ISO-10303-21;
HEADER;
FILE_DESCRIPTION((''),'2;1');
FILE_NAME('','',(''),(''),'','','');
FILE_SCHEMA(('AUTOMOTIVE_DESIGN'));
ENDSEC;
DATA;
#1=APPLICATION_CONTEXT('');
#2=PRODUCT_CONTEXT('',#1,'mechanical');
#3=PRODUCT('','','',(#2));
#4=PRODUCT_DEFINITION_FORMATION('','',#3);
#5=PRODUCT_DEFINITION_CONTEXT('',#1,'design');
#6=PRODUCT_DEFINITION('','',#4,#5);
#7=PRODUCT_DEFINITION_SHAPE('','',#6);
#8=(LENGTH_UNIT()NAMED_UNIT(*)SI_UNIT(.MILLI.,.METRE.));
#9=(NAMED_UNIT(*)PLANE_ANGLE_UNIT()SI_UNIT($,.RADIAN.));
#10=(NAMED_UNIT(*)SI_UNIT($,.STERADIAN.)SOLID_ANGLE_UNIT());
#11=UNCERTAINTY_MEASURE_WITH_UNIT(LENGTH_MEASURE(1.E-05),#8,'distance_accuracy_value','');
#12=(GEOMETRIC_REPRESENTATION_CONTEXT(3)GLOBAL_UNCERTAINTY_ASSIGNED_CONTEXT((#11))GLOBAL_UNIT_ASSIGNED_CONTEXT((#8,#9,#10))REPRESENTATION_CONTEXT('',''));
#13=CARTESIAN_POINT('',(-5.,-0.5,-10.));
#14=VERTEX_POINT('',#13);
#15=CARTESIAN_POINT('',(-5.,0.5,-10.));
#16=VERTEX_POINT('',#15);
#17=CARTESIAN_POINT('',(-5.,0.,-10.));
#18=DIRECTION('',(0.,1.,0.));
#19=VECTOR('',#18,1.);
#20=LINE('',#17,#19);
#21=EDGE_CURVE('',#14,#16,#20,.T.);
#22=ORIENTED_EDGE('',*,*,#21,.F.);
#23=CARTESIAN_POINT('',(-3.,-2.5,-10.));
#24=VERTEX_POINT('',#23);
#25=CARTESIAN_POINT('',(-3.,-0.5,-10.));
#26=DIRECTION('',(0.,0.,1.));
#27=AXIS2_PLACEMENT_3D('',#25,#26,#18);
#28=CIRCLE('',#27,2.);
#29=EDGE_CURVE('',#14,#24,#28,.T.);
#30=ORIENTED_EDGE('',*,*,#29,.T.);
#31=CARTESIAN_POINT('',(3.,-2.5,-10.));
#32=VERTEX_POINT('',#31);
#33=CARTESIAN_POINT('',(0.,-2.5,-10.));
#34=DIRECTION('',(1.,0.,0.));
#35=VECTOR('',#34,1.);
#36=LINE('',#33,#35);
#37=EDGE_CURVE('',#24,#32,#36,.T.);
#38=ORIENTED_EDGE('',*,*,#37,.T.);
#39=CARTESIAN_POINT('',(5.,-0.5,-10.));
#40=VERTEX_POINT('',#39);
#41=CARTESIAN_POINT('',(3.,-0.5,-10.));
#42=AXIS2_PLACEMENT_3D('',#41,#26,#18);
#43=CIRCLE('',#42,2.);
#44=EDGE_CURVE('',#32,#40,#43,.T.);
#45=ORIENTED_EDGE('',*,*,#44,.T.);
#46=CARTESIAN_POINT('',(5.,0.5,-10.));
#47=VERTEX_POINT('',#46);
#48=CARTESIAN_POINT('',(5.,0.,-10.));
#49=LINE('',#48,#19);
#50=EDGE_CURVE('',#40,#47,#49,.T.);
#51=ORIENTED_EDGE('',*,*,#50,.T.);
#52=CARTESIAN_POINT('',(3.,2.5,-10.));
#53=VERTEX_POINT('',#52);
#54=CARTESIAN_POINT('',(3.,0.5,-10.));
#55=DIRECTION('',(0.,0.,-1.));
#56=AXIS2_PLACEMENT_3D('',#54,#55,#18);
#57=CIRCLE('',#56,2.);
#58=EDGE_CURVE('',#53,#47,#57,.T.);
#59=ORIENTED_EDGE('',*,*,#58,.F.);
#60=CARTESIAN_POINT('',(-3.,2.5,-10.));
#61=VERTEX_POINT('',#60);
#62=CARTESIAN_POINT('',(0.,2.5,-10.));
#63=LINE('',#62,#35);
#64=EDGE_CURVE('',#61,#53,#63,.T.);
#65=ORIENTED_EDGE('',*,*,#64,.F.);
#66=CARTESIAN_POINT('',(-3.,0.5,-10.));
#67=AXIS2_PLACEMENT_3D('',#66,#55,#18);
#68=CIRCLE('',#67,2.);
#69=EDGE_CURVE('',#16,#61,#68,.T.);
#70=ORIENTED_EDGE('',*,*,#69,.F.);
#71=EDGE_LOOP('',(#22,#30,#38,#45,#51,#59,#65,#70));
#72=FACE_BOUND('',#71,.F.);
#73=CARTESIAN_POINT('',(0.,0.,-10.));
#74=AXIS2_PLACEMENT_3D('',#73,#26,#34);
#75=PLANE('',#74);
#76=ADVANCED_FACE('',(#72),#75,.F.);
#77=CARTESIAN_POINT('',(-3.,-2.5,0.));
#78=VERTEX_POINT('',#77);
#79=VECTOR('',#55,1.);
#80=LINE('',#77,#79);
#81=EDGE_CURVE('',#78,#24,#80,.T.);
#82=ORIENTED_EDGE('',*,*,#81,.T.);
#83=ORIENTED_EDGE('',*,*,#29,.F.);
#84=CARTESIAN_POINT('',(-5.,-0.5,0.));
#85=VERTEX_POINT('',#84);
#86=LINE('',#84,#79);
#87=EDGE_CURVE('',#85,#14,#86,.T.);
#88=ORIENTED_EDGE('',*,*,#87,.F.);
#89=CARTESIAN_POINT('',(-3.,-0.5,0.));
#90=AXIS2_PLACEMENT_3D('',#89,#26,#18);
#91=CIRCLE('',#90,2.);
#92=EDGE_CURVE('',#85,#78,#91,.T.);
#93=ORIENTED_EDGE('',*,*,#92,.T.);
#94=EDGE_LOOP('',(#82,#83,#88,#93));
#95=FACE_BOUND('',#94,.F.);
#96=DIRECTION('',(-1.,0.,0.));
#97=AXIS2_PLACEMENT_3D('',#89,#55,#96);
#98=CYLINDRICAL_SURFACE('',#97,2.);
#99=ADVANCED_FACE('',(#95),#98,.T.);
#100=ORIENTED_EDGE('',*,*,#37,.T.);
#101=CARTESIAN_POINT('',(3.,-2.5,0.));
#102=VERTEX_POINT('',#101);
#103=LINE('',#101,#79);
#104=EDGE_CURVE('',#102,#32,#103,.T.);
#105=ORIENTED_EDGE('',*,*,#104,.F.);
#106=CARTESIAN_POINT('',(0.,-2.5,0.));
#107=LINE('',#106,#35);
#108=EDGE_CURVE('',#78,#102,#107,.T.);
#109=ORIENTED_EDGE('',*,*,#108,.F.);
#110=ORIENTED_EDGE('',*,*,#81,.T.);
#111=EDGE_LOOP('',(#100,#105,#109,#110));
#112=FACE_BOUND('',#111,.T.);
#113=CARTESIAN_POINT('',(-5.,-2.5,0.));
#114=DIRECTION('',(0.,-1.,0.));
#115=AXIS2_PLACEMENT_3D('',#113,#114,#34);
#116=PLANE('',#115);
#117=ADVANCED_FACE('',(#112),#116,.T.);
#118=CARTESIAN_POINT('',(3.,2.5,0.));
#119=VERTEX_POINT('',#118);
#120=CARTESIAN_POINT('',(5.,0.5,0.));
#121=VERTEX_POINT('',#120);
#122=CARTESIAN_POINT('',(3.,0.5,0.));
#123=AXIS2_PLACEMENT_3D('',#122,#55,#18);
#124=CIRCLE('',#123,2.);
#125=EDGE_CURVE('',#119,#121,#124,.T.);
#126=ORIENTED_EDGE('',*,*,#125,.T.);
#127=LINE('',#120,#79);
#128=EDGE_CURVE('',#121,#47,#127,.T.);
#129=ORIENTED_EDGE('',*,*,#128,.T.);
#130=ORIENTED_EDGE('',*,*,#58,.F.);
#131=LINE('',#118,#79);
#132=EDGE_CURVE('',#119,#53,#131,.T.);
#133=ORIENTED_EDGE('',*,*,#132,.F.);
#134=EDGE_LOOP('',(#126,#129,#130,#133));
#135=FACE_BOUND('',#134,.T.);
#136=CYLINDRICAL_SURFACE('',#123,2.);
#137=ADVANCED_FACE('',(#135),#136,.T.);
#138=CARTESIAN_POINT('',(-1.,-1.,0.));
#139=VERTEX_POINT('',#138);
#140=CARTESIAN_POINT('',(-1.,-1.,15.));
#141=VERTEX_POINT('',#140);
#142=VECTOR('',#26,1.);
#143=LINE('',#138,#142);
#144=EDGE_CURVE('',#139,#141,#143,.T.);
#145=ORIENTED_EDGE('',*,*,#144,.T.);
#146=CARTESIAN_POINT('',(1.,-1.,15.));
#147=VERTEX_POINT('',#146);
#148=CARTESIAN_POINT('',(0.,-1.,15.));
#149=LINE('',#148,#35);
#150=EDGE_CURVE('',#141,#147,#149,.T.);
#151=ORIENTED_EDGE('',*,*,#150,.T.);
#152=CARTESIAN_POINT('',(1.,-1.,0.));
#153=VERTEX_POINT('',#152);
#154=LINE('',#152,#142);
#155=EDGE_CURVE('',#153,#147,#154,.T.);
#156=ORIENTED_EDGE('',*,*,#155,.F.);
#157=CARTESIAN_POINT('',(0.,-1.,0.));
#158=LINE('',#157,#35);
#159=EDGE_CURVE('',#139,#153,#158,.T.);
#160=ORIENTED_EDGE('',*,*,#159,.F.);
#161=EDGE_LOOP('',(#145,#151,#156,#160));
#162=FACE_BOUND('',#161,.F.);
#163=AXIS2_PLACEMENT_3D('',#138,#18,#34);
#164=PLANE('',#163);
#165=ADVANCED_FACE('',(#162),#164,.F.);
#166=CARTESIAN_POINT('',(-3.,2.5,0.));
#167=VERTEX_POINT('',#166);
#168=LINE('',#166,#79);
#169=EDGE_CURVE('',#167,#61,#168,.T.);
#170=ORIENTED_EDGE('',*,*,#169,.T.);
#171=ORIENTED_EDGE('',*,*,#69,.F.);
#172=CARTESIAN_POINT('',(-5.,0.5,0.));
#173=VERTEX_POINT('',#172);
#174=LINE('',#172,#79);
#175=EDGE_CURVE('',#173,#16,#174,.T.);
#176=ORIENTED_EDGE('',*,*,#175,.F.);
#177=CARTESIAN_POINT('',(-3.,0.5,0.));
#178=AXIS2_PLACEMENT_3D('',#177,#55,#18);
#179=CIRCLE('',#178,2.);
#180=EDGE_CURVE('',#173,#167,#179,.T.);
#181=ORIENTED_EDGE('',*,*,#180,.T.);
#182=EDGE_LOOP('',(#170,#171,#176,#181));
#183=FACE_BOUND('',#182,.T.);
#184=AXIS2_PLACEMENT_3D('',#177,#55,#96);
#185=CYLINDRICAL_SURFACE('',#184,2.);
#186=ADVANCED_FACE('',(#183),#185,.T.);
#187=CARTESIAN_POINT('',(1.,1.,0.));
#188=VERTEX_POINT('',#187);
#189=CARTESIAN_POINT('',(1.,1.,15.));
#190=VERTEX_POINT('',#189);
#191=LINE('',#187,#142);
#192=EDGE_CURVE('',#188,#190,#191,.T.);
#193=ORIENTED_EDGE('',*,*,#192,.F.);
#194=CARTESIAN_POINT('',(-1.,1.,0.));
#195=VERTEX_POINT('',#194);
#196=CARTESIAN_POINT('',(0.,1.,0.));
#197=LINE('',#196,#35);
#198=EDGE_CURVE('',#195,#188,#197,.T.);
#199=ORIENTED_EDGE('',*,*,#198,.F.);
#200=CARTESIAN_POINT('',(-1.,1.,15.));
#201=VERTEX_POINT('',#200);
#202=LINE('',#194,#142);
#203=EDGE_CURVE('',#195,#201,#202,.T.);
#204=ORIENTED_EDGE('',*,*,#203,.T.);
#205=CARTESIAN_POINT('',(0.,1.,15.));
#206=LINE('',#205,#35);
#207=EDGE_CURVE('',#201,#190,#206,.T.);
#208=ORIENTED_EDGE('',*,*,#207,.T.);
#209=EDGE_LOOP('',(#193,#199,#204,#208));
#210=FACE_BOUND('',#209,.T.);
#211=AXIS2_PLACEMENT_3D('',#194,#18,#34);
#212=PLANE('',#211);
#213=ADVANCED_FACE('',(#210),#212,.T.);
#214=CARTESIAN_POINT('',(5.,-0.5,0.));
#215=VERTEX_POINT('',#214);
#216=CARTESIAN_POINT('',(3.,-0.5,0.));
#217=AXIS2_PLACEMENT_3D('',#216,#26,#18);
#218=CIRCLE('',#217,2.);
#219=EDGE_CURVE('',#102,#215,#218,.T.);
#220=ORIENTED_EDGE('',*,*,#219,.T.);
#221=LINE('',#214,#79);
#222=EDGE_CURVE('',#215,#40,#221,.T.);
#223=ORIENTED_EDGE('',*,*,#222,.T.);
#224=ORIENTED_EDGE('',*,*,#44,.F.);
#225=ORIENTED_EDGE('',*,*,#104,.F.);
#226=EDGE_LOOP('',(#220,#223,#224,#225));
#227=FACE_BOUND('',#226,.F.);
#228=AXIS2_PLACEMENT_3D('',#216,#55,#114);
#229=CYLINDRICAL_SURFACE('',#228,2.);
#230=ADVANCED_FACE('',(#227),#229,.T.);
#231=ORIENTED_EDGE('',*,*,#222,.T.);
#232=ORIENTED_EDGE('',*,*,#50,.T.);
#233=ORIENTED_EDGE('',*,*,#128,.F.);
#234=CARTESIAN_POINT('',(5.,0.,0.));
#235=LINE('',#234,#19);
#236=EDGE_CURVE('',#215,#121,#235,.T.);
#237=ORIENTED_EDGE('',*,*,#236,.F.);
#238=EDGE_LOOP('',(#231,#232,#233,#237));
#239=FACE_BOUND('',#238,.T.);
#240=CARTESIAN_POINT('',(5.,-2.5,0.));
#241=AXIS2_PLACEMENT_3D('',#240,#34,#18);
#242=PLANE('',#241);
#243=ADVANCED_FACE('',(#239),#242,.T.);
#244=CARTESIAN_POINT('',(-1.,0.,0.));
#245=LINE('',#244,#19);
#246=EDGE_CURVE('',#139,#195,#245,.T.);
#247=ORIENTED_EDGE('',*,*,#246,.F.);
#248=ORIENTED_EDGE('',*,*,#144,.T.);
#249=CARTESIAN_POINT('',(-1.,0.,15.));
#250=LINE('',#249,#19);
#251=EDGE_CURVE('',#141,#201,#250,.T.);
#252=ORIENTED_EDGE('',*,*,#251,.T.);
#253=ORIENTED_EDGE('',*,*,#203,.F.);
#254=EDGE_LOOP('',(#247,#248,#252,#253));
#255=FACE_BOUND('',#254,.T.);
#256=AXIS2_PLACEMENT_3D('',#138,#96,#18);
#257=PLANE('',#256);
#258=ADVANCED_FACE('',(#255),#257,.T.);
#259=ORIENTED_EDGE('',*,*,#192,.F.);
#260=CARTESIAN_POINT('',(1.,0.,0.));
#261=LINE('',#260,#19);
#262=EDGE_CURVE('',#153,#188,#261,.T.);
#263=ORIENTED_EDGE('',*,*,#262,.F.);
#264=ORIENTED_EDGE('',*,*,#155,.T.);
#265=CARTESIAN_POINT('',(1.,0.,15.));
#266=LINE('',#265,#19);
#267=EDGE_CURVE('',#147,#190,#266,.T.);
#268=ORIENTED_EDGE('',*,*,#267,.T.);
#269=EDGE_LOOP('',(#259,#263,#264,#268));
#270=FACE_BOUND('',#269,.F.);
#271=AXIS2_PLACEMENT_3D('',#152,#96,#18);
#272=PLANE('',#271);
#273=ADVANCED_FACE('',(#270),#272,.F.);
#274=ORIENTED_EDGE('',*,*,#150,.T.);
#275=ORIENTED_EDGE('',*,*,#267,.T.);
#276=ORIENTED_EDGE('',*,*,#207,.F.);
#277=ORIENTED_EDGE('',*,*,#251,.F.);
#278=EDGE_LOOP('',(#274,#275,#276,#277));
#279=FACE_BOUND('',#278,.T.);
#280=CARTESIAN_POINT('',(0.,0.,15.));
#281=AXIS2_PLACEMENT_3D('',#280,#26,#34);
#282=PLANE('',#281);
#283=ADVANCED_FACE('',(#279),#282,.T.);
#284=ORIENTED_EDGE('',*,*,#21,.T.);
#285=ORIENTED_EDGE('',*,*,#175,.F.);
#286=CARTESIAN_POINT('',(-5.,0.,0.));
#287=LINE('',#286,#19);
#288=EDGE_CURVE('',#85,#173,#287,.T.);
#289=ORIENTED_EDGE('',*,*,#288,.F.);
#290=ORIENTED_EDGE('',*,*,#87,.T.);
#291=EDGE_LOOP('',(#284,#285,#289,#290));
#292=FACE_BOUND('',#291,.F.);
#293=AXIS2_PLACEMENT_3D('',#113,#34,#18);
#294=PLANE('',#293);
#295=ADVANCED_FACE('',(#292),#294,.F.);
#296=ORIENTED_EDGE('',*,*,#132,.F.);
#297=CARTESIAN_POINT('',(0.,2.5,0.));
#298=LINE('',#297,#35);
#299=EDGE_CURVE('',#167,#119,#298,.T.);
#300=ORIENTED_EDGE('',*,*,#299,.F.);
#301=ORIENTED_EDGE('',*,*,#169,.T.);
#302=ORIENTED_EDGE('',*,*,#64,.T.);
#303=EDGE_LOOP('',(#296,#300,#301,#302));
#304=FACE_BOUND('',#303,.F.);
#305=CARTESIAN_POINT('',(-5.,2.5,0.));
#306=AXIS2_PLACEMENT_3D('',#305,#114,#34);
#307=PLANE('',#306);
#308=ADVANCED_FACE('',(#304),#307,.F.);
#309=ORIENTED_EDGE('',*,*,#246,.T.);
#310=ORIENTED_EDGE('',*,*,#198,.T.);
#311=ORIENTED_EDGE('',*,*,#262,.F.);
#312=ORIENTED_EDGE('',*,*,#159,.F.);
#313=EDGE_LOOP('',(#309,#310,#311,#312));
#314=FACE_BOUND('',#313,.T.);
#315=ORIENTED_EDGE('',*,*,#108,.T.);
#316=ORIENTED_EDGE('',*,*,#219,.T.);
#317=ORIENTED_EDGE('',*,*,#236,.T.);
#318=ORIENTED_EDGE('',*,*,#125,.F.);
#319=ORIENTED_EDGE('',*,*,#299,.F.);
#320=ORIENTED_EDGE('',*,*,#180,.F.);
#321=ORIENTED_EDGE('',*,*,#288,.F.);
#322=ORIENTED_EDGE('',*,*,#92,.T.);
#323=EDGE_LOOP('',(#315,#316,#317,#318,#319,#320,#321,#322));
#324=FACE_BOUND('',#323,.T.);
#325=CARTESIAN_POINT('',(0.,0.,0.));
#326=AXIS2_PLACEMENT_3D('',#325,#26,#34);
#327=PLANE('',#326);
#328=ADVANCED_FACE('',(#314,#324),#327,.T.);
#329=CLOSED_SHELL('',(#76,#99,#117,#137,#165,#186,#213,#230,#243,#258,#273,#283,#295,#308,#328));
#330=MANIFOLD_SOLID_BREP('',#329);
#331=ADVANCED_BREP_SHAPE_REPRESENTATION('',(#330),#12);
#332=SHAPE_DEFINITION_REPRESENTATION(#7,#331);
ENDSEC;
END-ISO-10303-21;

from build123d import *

# Parameters (mm, degrees)
F0_W     = 10
F0_H     = 5
F0_W_2   = 2
F0_H_2   = 2
F1_DEPTH = 10
F2_DEPTH = 15
F3_R     = 2


with BuildPart() as f1:
    # F0 (on Top) → F1 (new body)
    with BuildSketch(Plane.XY):
        Rectangle(F0_W, F0_H)
        Rectangle(F0_W_2, F0_H_2, mode=Mode.SUBTRACT)
        Rectangle(F0_W_2, F0_H_2)
    extrude(amount=-F1_DEPTH)

    # F0 (on Top) → F2 (join)
    with BuildSketch(Plane.XY):
        Rectangle(F0_W_2, F0_H_2)
    extrude(amount=F2_DEPTH)

    # F3
    f3_edges = [f1.edges().sort_by_distance(p)[0] for p in [
        (5, -2.5, -5),
        (-5, -2.5, -5),
        (-5, 2.5, -5),
        (5, 2.5, -5),
    ]]
    fillet(f3_edges, radius=F3_R)


solid = f1.part
